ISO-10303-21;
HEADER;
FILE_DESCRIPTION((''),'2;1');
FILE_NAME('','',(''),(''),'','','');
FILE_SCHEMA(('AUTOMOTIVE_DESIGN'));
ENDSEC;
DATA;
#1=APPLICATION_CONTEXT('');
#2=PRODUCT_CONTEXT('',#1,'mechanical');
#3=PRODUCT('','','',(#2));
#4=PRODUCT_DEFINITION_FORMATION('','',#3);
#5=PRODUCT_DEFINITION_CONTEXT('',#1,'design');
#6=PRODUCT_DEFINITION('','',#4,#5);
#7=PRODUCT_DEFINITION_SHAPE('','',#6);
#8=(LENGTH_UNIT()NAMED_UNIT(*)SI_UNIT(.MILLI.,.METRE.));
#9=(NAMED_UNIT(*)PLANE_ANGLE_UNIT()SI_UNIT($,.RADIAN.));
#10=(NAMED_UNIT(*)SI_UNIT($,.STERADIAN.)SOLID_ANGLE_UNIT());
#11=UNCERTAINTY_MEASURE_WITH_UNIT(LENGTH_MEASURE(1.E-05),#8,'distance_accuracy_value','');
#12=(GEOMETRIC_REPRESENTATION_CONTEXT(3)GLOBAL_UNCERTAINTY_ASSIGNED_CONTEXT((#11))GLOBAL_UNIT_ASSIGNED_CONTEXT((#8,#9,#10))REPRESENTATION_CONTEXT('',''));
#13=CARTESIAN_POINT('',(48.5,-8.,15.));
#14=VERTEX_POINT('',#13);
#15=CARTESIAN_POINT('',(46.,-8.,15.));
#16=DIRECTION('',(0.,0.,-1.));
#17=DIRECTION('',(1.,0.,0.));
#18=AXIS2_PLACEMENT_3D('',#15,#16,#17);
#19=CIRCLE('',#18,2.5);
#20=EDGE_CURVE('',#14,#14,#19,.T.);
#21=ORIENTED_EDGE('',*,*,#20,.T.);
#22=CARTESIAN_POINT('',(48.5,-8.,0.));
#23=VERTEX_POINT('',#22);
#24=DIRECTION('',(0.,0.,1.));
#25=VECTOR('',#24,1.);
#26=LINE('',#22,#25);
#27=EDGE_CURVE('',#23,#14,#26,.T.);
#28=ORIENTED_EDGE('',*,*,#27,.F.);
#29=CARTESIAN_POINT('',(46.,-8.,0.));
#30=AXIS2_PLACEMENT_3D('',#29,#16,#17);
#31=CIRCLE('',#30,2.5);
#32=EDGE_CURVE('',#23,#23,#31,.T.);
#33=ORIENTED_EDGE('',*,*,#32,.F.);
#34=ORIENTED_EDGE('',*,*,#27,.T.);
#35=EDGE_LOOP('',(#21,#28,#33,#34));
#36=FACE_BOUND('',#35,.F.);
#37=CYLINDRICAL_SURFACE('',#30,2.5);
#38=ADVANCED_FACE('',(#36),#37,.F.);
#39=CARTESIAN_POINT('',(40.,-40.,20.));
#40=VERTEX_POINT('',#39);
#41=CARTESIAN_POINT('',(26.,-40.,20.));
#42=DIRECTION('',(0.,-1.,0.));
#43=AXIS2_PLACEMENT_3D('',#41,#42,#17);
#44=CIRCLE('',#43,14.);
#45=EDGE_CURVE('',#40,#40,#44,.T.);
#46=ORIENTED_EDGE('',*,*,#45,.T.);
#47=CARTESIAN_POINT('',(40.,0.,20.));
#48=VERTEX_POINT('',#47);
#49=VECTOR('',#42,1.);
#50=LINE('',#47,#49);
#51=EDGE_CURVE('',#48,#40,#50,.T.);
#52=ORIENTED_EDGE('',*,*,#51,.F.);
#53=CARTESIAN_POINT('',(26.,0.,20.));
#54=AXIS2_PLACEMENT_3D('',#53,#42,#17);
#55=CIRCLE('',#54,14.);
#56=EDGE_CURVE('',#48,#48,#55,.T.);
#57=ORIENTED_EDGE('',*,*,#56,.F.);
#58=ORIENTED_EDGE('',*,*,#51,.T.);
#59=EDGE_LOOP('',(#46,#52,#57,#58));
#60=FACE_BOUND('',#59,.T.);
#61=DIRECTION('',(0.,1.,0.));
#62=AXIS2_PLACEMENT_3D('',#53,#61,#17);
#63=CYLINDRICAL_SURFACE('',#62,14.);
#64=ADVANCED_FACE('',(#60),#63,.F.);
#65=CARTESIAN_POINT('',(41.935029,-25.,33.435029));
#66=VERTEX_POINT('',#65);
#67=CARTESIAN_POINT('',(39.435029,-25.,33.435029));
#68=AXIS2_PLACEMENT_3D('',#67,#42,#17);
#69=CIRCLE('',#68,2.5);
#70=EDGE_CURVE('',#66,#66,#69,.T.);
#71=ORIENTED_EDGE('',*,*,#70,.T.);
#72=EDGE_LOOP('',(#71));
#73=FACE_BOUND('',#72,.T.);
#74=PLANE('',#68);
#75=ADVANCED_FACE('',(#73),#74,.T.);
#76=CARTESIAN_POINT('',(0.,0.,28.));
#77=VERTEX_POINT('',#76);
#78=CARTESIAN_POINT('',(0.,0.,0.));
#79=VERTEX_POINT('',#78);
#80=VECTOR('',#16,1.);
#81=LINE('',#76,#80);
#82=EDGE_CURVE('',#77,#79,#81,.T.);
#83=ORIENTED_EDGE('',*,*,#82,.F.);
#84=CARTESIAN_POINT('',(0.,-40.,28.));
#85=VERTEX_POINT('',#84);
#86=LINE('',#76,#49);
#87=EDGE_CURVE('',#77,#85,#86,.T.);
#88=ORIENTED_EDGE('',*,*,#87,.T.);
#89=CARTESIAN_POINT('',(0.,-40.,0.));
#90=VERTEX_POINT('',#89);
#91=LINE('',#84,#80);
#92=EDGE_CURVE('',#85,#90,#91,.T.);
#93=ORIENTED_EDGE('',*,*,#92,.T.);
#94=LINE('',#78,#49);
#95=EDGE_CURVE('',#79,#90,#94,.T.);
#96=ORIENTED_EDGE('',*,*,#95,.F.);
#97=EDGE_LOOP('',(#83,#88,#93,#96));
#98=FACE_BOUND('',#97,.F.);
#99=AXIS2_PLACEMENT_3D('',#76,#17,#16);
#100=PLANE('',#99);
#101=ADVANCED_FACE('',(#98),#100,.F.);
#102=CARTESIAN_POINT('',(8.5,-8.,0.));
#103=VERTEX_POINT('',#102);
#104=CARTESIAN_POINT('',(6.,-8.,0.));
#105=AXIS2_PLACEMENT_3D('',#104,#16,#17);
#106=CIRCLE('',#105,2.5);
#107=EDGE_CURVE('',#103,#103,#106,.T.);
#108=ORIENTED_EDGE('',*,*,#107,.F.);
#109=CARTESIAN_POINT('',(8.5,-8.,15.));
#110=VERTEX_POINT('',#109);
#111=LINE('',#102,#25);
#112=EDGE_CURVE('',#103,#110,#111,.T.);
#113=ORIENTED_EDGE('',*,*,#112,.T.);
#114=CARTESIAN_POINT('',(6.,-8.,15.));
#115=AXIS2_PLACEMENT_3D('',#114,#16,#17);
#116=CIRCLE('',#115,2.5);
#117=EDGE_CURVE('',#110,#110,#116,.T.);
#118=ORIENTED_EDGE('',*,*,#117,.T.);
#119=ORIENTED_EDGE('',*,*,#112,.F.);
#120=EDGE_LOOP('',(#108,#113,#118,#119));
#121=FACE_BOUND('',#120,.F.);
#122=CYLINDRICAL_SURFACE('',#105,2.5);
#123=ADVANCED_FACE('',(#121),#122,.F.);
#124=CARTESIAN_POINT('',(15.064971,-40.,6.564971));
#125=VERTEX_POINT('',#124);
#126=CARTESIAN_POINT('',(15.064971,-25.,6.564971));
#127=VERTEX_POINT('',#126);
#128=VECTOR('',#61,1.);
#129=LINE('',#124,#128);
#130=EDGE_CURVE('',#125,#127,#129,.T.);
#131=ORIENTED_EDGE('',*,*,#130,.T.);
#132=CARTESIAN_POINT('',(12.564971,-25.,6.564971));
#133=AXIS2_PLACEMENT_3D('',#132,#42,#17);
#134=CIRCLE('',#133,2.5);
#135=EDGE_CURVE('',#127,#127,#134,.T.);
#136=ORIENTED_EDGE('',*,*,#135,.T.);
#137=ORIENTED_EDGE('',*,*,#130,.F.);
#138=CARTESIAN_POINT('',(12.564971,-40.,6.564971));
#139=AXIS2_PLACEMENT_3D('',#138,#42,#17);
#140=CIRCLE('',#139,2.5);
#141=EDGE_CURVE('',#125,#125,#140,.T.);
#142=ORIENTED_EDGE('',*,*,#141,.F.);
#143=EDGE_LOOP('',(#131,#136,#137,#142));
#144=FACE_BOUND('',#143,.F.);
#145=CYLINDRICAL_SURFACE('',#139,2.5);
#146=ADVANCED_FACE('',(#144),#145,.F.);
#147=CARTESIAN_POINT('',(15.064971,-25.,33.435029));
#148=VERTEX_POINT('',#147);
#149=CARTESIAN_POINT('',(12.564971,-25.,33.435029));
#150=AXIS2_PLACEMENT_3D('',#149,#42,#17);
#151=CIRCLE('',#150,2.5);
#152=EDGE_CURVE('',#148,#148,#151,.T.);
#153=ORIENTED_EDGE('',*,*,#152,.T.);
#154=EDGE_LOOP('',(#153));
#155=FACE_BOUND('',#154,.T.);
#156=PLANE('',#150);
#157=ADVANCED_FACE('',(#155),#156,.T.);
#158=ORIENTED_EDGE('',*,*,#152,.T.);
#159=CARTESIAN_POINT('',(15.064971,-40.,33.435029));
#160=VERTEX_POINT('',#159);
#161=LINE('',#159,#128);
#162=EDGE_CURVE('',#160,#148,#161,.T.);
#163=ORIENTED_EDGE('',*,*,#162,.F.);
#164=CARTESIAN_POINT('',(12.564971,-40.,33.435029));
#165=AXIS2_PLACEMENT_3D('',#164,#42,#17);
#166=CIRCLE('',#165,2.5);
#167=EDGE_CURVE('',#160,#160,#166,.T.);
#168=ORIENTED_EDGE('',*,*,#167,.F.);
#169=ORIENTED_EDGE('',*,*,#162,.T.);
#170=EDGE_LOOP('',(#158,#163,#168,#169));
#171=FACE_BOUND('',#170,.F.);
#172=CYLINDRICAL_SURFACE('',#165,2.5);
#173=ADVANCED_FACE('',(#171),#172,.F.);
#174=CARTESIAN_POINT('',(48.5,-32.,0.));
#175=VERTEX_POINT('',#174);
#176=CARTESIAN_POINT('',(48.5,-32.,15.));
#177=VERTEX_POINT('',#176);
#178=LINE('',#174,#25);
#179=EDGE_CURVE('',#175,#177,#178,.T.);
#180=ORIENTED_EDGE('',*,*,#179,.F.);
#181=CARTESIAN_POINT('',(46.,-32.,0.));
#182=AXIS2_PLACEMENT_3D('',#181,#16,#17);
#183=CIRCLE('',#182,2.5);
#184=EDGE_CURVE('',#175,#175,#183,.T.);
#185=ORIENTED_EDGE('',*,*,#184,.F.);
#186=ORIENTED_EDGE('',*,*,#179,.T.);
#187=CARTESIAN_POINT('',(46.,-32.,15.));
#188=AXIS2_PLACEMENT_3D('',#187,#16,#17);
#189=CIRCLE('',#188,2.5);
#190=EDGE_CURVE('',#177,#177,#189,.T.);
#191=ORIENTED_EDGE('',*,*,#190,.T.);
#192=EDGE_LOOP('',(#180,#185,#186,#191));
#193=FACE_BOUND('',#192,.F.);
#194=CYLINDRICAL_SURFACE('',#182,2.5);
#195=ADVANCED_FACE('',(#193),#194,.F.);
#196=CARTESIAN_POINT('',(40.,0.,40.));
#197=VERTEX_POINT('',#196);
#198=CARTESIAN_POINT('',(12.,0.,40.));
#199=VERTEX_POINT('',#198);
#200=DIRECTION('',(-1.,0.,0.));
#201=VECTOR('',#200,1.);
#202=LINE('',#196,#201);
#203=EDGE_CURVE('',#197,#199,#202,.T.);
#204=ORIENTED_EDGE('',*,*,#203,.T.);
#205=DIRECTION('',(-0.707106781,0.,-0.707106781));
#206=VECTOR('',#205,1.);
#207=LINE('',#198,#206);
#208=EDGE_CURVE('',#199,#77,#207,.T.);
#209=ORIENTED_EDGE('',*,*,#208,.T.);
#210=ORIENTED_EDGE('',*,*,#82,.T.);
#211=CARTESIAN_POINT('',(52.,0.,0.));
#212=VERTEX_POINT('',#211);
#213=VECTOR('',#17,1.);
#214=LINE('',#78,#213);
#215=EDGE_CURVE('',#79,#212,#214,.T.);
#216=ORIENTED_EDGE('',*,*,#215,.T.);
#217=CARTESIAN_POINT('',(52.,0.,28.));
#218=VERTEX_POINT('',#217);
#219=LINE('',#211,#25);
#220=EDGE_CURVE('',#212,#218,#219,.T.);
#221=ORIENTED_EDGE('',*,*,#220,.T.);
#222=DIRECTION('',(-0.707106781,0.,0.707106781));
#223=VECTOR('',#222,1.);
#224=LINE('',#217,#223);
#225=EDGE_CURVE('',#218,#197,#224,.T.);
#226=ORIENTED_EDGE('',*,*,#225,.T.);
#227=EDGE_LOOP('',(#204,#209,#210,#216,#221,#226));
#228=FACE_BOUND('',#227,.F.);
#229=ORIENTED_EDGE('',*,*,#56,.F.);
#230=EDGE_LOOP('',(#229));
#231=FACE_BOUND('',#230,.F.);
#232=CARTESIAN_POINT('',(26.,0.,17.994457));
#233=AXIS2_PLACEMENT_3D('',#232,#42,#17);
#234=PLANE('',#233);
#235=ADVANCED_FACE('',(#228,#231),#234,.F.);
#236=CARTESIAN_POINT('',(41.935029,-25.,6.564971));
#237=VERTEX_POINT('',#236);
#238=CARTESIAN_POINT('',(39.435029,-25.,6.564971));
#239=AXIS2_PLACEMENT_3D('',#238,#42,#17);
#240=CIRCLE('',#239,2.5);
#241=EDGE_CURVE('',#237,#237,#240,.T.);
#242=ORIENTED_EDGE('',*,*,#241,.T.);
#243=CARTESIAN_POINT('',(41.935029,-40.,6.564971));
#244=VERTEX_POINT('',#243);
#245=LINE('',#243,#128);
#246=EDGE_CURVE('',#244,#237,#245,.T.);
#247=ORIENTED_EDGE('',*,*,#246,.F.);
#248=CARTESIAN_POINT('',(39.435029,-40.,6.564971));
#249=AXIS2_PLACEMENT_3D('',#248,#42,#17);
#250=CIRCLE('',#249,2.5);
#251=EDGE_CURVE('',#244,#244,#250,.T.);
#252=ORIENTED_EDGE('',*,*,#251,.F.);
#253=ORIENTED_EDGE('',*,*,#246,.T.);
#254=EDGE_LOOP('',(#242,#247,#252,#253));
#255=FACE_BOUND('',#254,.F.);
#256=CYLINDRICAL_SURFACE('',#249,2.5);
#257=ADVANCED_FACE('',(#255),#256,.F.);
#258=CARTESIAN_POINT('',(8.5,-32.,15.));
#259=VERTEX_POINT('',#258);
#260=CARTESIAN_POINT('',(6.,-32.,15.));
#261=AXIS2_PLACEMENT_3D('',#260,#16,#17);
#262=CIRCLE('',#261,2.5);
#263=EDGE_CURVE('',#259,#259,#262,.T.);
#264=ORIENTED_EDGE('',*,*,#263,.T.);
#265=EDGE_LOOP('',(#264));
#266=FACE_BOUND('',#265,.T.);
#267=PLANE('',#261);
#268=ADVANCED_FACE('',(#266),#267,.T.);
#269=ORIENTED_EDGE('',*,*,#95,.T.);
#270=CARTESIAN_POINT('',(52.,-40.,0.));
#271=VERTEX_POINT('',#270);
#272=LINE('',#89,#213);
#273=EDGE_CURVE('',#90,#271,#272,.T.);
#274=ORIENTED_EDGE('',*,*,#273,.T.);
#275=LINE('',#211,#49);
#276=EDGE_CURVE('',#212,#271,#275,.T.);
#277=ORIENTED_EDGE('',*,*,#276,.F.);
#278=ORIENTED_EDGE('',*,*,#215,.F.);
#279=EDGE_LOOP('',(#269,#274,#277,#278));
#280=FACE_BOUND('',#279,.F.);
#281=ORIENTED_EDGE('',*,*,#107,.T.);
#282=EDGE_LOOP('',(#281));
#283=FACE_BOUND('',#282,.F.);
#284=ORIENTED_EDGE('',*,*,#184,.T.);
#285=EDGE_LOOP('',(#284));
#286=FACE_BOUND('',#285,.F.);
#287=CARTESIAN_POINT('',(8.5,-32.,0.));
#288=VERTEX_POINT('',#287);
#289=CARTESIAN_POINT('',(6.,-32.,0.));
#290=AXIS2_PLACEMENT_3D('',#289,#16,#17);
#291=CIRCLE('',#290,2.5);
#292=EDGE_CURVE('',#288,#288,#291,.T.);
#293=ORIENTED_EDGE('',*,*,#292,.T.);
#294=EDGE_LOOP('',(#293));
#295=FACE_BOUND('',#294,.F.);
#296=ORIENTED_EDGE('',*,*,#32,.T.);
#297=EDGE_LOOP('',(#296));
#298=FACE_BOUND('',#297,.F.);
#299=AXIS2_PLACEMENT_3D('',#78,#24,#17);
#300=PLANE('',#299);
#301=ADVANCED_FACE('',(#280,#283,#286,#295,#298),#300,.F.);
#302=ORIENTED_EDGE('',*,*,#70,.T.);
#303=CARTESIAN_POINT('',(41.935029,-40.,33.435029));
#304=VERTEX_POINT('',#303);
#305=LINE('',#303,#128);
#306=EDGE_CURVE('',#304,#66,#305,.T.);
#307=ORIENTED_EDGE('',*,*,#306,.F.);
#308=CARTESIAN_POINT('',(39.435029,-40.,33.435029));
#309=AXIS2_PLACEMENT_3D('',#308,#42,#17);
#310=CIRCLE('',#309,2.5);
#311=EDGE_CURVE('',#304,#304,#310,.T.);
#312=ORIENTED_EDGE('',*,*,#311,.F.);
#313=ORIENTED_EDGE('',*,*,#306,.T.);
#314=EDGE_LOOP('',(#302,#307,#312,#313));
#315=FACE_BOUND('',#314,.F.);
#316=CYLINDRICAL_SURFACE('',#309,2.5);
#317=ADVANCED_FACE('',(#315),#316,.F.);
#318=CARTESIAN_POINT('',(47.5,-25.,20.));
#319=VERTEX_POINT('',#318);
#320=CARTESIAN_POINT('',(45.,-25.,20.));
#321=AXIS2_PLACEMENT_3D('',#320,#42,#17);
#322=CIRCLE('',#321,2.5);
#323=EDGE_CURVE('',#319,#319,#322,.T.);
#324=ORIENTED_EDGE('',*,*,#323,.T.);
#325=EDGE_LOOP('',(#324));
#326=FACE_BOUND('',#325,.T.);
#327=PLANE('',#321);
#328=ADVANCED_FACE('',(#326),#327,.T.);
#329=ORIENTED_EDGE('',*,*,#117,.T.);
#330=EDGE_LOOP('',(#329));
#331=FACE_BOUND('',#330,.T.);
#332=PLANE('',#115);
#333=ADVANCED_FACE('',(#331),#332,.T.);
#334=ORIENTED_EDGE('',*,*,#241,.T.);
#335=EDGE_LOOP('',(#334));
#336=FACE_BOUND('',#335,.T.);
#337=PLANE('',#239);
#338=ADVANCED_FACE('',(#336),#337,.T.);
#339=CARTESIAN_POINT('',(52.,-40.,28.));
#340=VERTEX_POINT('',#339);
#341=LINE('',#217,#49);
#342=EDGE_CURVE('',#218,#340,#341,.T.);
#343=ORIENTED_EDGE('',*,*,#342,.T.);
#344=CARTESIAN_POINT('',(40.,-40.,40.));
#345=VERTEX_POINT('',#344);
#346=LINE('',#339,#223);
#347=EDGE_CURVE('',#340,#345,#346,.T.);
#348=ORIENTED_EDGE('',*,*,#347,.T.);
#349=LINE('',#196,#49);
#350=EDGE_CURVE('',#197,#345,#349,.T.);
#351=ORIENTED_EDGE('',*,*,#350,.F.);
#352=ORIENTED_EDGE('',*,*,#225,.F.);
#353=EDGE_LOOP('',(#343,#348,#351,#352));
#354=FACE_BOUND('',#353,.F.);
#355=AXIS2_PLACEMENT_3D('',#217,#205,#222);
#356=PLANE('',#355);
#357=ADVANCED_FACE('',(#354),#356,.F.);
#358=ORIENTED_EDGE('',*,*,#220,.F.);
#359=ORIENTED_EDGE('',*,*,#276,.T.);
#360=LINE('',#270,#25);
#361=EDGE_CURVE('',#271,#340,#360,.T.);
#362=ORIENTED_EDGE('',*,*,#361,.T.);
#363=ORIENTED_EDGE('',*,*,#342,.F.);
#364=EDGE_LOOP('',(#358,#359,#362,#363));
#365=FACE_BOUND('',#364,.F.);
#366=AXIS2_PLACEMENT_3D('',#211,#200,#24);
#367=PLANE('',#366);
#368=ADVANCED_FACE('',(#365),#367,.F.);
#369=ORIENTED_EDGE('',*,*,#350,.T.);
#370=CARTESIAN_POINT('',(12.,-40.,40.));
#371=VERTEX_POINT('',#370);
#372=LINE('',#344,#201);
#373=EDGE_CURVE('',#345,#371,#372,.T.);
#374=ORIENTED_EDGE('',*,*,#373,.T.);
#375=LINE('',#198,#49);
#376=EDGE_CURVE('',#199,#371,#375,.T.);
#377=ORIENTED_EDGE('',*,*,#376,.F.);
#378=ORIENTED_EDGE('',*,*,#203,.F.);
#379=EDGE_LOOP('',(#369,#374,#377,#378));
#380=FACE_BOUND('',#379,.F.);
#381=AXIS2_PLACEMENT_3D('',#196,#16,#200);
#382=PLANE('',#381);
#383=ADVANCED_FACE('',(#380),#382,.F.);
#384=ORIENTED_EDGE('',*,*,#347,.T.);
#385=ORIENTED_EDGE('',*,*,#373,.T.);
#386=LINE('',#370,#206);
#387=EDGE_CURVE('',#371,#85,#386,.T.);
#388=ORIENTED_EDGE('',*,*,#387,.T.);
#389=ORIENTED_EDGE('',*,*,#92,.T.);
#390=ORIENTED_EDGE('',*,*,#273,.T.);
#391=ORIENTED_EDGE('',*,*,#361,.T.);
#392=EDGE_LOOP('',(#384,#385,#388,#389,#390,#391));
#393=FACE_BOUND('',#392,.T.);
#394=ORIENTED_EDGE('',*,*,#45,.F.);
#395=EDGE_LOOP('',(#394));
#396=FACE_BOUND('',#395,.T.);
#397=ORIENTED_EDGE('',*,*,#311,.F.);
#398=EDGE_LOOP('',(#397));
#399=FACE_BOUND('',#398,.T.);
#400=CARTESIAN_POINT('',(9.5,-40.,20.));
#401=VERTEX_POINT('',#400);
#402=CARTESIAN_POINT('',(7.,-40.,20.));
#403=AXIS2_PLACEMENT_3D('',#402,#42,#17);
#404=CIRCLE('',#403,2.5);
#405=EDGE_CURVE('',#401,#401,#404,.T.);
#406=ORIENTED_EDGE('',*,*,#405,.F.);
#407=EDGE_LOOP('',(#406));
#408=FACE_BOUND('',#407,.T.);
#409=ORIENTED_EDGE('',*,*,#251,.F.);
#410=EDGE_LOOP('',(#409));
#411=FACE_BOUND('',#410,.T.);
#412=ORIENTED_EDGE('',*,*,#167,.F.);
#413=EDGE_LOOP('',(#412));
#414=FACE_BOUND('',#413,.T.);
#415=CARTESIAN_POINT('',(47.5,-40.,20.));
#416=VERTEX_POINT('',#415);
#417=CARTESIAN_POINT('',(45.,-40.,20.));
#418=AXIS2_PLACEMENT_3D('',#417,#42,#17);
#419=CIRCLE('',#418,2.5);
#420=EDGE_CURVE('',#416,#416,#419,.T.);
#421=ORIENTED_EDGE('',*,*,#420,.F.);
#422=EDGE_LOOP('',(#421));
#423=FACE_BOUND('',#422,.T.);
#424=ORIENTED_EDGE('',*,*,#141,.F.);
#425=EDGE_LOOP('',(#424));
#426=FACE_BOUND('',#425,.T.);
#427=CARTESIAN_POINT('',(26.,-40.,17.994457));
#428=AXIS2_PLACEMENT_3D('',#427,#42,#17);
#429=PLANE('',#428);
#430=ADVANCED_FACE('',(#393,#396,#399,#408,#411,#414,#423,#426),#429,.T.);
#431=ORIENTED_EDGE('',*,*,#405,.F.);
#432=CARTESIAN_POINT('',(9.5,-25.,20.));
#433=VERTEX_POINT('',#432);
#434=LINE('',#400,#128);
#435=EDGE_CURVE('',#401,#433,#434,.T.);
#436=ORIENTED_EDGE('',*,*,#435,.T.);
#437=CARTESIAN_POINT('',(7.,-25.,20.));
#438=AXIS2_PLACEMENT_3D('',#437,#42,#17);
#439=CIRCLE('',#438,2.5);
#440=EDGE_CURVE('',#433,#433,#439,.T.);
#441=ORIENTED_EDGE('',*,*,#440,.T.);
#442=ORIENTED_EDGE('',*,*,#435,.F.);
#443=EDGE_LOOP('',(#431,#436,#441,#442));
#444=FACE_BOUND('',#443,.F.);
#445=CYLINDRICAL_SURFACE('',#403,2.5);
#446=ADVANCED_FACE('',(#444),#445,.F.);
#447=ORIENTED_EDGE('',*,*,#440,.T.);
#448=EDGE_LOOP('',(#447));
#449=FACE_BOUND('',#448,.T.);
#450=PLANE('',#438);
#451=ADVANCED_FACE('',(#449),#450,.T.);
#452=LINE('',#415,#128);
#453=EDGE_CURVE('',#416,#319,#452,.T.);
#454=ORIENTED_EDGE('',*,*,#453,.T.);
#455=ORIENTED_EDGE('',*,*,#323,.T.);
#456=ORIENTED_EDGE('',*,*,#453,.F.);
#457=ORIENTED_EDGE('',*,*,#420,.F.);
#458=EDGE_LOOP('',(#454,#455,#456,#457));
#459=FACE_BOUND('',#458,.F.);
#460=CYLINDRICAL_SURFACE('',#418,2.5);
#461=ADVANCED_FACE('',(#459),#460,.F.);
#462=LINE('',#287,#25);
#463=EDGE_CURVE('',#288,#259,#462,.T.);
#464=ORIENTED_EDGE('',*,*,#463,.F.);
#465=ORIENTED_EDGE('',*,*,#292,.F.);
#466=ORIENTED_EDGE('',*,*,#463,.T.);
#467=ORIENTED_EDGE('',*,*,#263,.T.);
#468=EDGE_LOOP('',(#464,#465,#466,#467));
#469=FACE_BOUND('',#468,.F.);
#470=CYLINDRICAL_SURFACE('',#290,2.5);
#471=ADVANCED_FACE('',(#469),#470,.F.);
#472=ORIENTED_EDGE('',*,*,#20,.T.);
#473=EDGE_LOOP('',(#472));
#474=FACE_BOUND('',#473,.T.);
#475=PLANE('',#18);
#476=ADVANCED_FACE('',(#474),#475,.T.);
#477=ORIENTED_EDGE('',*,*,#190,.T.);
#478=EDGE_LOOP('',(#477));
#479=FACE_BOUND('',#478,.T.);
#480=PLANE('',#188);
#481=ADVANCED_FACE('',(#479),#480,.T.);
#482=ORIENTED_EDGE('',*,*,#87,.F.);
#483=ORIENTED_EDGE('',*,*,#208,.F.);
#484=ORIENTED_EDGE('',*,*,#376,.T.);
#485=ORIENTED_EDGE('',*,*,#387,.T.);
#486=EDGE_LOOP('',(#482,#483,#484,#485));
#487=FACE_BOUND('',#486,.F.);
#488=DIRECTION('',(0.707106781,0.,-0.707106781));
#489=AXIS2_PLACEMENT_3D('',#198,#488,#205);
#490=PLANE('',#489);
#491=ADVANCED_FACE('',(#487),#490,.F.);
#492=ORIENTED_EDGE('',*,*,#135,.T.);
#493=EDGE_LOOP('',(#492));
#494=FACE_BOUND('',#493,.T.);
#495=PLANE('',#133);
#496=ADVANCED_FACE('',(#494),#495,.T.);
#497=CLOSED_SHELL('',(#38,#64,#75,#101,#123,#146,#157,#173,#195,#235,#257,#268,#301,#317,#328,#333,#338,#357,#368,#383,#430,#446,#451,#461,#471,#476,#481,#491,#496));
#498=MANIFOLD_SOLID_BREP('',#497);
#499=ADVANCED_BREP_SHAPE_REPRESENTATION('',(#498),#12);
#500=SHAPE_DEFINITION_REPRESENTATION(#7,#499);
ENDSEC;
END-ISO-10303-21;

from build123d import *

# Parameters (mm, degrees)
F0_R     = 14
F1_DEPTH = 40
F2_R     = 2.5
F3_DEPTH = 15
F4_R     = 2.5
F5_DEPTH = 15


with BuildPart() as f1:
    # F0 (on Front) → F1 (new body)
    with BuildSketch(Plane.XZ):
        Polygon((0, 28), (0, 0), (52, 0), (52, 28), (40, 40), (12, 40), align=None)
        with Locations((26, 20)):
            Circle(F0_R, mode=Mode.SUBTRACT)
    extrude(amount=F1_DEPTH)

    # F2 (on face) → F3 (cut)
    with BuildSketch(Plane.XZ.offset(40)):
        with Locations((39.435029, 33.435029)):
            Circle(F2_R)
        with Locations((45, 20)):
            Circle(F2_R)
        with Locations((39.435029, 6.564971)):
            Circle(F2_R)
        with Locations((12.564971, 6.564971)):
            Circle(F2_R)
        with Locations((7, 20)):
            Circle(F2_R)
        with Locations((12.564971, 33.435029)):
            Circle(F2_R)
    extrude(amount=-F3_DEPTH, mode=Mode.SUBTRACT)

    # F4 (on face) → F5 (cut)
    with BuildSketch(Plane(origin=(0, 0, 0), x_dir=(1, 0, 0), z_dir=(0, 0, -1))):
        with Locations((46, 32)):
            Circle(F4_R)
        with Locations((46, 8)):
            Circle(F4_R)
        with Locations((6, 8)):
            Circle(F4_R)
        with Locations((6, 32)):
            Circle(F4_R)
    extrude(amount=-F5_DEPTH, mode=Mode.SUBTRACT)


solid = f1.part
